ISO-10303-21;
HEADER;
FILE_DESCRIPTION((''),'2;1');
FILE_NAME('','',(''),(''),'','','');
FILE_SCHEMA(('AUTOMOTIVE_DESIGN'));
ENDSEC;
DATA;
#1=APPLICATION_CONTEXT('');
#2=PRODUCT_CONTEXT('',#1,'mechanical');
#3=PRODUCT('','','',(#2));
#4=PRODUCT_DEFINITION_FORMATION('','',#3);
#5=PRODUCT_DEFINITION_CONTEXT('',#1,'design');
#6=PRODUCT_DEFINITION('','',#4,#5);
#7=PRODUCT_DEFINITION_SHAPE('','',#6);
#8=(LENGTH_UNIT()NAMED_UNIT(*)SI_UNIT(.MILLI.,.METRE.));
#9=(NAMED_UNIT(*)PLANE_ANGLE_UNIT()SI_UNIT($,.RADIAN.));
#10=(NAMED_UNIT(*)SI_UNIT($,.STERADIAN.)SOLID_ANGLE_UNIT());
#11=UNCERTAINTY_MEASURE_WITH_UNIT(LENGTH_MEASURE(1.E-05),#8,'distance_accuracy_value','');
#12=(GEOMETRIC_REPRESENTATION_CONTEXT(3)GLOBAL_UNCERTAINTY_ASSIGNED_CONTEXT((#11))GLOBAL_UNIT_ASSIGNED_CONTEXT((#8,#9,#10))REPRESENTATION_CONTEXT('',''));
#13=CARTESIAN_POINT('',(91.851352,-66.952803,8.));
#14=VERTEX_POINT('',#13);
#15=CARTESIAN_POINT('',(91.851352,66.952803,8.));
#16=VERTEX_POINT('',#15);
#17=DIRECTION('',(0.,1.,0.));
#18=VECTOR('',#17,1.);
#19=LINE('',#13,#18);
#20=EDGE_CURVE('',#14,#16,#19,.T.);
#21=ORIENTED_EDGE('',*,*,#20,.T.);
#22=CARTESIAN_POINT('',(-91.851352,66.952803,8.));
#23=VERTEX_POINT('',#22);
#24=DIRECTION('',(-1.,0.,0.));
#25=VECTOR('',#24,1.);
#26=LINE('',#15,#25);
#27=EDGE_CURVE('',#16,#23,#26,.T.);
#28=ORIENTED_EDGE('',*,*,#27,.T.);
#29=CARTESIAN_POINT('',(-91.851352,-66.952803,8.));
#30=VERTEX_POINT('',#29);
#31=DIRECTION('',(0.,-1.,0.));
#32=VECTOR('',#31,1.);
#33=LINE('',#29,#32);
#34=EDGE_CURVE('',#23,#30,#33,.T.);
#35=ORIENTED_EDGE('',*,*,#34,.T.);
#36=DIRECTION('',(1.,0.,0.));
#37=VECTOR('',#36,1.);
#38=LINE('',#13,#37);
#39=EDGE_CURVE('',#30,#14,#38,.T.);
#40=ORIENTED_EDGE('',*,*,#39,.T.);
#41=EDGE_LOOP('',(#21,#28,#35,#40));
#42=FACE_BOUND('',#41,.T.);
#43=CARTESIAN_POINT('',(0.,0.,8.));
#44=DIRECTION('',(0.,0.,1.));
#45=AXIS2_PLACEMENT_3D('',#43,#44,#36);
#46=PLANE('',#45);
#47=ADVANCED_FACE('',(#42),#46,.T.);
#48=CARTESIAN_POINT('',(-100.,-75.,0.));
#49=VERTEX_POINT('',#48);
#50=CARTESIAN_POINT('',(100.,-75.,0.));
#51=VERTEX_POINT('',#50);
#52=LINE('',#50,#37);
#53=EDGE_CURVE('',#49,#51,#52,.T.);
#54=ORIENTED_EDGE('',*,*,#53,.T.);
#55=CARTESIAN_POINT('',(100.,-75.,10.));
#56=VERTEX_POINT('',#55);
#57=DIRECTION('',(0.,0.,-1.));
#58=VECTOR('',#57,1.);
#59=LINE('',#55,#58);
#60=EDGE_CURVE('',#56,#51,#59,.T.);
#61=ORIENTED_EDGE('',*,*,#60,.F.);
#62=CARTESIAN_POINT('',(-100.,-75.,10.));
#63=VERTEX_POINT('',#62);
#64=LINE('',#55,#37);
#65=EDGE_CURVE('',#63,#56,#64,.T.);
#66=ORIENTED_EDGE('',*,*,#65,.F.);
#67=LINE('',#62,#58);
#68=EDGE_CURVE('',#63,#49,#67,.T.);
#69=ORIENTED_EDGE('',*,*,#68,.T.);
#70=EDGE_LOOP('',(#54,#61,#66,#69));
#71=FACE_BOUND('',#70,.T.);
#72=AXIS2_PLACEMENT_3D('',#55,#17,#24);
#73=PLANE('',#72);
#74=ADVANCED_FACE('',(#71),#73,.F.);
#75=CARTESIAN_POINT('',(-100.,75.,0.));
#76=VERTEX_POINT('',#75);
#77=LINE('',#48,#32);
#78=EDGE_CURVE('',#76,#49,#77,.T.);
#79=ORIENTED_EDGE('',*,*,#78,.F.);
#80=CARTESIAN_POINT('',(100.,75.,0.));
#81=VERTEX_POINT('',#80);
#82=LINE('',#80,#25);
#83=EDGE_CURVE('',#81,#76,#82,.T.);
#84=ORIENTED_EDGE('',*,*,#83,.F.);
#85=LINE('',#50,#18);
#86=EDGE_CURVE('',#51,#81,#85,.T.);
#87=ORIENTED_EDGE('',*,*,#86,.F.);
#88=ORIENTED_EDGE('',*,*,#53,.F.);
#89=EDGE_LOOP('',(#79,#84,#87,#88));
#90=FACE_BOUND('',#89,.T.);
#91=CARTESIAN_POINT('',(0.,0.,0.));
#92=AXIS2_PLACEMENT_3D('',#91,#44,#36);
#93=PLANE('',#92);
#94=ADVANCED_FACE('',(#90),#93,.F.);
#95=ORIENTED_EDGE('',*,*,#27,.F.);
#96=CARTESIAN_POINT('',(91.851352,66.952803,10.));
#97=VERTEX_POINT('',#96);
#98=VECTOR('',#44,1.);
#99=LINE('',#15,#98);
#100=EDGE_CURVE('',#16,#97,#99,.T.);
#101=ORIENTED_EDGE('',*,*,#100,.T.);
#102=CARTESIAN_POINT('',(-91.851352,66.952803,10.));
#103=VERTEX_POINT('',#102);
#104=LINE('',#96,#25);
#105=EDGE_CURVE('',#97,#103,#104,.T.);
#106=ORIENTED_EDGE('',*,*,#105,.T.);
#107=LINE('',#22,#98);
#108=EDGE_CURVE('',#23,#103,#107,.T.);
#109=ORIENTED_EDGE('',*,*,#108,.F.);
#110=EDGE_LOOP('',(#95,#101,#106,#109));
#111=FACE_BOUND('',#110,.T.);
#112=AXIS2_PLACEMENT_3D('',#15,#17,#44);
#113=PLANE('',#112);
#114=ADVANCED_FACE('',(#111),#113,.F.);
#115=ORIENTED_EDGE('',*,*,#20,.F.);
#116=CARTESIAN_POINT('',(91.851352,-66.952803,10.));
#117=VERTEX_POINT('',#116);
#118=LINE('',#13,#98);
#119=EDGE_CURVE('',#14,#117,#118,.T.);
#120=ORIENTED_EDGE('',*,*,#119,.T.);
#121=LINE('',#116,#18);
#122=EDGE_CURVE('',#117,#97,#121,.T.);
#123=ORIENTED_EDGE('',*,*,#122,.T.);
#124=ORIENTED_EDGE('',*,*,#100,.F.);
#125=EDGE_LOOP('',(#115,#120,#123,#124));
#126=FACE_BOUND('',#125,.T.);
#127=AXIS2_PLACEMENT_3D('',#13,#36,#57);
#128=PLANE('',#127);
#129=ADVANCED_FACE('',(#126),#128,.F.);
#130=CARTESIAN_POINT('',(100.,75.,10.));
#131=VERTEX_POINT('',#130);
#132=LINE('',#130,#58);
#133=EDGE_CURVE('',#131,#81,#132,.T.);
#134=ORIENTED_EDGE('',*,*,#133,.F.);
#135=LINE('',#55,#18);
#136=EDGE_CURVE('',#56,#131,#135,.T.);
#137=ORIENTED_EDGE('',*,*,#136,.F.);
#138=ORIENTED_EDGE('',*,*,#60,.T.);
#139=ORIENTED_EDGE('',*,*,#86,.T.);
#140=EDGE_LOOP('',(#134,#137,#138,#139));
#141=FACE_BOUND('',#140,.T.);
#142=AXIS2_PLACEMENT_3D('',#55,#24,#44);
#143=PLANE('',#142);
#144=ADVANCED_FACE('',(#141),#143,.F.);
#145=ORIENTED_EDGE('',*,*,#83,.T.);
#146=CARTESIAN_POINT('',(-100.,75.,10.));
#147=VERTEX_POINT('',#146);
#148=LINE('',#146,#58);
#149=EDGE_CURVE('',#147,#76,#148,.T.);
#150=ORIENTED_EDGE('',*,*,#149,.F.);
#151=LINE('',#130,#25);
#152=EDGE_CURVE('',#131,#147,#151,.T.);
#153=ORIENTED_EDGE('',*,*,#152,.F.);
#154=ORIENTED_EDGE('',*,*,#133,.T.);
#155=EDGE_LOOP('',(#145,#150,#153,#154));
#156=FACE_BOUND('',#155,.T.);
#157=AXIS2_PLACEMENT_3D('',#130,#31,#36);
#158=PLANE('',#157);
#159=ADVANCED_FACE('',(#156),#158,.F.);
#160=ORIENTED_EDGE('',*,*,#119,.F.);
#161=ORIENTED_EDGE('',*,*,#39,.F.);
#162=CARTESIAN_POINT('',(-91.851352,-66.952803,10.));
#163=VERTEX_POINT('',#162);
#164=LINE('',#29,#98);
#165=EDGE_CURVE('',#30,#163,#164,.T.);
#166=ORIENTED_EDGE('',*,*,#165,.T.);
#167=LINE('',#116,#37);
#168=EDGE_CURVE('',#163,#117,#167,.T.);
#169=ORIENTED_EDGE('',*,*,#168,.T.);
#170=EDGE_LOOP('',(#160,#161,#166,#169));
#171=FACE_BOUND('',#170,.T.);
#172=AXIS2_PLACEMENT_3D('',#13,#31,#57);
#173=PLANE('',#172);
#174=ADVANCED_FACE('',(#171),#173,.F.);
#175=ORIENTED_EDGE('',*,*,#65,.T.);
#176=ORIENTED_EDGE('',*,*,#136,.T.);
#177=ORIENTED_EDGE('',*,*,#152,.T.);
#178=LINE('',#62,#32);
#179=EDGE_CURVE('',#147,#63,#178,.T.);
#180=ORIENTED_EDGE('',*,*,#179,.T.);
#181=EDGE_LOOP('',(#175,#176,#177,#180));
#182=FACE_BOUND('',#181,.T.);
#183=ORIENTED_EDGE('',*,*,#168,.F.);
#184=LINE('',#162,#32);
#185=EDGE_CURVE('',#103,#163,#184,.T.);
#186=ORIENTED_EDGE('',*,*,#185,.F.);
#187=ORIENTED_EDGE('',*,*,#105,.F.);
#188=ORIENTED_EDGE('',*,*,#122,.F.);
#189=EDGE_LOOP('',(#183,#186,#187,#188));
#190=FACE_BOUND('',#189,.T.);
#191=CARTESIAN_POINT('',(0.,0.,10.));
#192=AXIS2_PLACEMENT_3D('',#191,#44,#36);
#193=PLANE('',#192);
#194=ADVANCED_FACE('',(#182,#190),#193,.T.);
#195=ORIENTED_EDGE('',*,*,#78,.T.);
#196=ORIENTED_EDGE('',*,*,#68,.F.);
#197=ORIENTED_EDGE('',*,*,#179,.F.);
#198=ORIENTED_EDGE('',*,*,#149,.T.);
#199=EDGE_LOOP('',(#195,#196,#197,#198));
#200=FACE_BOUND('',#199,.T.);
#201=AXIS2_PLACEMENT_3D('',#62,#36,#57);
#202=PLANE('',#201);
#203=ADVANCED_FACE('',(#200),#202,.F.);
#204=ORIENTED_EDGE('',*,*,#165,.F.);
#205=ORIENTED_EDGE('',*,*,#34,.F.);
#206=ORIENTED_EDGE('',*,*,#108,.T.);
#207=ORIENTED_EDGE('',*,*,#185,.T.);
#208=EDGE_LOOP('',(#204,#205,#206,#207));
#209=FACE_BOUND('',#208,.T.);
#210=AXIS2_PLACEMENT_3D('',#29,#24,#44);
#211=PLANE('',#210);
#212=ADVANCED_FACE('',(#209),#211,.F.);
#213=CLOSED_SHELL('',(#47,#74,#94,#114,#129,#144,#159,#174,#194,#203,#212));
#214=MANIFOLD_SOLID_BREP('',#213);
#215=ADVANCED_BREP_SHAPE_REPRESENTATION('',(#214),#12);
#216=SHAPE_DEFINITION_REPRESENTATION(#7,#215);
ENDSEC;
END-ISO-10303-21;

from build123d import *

# Parameters (mm, degrees)
SKETCH1_W           = 200
SKETCH1_H           = 150
BOSS_EXTRUDE1_DEPTH = 10
SKETCH2_W           = 183.702703476
SKETCH2_H           = 133.905606996
CUT_EXTRUDE1_DEPTH  = 2


with BuildPart() as part:
    # Sketch1 → Boss-Extrude1 (new body)
    with BuildSketch(Plane.XY):
        Rectangle(SKETCH1_W, SKETCH1_H)
    extrude(amount=BOSS_EXTRUDE1_DEPTH)

    # Sketch2 → Cut-Extrude1 (cut)
    with BuildSketch(Plane.XY.offset(10)):
        Rectangle(SKETCH2_W, SKETCH2_H)
    extrude(amount=-CUT_EXTRUDE1_DEPTH, mode=Mode.SUBTRACT)


solid = part.part
